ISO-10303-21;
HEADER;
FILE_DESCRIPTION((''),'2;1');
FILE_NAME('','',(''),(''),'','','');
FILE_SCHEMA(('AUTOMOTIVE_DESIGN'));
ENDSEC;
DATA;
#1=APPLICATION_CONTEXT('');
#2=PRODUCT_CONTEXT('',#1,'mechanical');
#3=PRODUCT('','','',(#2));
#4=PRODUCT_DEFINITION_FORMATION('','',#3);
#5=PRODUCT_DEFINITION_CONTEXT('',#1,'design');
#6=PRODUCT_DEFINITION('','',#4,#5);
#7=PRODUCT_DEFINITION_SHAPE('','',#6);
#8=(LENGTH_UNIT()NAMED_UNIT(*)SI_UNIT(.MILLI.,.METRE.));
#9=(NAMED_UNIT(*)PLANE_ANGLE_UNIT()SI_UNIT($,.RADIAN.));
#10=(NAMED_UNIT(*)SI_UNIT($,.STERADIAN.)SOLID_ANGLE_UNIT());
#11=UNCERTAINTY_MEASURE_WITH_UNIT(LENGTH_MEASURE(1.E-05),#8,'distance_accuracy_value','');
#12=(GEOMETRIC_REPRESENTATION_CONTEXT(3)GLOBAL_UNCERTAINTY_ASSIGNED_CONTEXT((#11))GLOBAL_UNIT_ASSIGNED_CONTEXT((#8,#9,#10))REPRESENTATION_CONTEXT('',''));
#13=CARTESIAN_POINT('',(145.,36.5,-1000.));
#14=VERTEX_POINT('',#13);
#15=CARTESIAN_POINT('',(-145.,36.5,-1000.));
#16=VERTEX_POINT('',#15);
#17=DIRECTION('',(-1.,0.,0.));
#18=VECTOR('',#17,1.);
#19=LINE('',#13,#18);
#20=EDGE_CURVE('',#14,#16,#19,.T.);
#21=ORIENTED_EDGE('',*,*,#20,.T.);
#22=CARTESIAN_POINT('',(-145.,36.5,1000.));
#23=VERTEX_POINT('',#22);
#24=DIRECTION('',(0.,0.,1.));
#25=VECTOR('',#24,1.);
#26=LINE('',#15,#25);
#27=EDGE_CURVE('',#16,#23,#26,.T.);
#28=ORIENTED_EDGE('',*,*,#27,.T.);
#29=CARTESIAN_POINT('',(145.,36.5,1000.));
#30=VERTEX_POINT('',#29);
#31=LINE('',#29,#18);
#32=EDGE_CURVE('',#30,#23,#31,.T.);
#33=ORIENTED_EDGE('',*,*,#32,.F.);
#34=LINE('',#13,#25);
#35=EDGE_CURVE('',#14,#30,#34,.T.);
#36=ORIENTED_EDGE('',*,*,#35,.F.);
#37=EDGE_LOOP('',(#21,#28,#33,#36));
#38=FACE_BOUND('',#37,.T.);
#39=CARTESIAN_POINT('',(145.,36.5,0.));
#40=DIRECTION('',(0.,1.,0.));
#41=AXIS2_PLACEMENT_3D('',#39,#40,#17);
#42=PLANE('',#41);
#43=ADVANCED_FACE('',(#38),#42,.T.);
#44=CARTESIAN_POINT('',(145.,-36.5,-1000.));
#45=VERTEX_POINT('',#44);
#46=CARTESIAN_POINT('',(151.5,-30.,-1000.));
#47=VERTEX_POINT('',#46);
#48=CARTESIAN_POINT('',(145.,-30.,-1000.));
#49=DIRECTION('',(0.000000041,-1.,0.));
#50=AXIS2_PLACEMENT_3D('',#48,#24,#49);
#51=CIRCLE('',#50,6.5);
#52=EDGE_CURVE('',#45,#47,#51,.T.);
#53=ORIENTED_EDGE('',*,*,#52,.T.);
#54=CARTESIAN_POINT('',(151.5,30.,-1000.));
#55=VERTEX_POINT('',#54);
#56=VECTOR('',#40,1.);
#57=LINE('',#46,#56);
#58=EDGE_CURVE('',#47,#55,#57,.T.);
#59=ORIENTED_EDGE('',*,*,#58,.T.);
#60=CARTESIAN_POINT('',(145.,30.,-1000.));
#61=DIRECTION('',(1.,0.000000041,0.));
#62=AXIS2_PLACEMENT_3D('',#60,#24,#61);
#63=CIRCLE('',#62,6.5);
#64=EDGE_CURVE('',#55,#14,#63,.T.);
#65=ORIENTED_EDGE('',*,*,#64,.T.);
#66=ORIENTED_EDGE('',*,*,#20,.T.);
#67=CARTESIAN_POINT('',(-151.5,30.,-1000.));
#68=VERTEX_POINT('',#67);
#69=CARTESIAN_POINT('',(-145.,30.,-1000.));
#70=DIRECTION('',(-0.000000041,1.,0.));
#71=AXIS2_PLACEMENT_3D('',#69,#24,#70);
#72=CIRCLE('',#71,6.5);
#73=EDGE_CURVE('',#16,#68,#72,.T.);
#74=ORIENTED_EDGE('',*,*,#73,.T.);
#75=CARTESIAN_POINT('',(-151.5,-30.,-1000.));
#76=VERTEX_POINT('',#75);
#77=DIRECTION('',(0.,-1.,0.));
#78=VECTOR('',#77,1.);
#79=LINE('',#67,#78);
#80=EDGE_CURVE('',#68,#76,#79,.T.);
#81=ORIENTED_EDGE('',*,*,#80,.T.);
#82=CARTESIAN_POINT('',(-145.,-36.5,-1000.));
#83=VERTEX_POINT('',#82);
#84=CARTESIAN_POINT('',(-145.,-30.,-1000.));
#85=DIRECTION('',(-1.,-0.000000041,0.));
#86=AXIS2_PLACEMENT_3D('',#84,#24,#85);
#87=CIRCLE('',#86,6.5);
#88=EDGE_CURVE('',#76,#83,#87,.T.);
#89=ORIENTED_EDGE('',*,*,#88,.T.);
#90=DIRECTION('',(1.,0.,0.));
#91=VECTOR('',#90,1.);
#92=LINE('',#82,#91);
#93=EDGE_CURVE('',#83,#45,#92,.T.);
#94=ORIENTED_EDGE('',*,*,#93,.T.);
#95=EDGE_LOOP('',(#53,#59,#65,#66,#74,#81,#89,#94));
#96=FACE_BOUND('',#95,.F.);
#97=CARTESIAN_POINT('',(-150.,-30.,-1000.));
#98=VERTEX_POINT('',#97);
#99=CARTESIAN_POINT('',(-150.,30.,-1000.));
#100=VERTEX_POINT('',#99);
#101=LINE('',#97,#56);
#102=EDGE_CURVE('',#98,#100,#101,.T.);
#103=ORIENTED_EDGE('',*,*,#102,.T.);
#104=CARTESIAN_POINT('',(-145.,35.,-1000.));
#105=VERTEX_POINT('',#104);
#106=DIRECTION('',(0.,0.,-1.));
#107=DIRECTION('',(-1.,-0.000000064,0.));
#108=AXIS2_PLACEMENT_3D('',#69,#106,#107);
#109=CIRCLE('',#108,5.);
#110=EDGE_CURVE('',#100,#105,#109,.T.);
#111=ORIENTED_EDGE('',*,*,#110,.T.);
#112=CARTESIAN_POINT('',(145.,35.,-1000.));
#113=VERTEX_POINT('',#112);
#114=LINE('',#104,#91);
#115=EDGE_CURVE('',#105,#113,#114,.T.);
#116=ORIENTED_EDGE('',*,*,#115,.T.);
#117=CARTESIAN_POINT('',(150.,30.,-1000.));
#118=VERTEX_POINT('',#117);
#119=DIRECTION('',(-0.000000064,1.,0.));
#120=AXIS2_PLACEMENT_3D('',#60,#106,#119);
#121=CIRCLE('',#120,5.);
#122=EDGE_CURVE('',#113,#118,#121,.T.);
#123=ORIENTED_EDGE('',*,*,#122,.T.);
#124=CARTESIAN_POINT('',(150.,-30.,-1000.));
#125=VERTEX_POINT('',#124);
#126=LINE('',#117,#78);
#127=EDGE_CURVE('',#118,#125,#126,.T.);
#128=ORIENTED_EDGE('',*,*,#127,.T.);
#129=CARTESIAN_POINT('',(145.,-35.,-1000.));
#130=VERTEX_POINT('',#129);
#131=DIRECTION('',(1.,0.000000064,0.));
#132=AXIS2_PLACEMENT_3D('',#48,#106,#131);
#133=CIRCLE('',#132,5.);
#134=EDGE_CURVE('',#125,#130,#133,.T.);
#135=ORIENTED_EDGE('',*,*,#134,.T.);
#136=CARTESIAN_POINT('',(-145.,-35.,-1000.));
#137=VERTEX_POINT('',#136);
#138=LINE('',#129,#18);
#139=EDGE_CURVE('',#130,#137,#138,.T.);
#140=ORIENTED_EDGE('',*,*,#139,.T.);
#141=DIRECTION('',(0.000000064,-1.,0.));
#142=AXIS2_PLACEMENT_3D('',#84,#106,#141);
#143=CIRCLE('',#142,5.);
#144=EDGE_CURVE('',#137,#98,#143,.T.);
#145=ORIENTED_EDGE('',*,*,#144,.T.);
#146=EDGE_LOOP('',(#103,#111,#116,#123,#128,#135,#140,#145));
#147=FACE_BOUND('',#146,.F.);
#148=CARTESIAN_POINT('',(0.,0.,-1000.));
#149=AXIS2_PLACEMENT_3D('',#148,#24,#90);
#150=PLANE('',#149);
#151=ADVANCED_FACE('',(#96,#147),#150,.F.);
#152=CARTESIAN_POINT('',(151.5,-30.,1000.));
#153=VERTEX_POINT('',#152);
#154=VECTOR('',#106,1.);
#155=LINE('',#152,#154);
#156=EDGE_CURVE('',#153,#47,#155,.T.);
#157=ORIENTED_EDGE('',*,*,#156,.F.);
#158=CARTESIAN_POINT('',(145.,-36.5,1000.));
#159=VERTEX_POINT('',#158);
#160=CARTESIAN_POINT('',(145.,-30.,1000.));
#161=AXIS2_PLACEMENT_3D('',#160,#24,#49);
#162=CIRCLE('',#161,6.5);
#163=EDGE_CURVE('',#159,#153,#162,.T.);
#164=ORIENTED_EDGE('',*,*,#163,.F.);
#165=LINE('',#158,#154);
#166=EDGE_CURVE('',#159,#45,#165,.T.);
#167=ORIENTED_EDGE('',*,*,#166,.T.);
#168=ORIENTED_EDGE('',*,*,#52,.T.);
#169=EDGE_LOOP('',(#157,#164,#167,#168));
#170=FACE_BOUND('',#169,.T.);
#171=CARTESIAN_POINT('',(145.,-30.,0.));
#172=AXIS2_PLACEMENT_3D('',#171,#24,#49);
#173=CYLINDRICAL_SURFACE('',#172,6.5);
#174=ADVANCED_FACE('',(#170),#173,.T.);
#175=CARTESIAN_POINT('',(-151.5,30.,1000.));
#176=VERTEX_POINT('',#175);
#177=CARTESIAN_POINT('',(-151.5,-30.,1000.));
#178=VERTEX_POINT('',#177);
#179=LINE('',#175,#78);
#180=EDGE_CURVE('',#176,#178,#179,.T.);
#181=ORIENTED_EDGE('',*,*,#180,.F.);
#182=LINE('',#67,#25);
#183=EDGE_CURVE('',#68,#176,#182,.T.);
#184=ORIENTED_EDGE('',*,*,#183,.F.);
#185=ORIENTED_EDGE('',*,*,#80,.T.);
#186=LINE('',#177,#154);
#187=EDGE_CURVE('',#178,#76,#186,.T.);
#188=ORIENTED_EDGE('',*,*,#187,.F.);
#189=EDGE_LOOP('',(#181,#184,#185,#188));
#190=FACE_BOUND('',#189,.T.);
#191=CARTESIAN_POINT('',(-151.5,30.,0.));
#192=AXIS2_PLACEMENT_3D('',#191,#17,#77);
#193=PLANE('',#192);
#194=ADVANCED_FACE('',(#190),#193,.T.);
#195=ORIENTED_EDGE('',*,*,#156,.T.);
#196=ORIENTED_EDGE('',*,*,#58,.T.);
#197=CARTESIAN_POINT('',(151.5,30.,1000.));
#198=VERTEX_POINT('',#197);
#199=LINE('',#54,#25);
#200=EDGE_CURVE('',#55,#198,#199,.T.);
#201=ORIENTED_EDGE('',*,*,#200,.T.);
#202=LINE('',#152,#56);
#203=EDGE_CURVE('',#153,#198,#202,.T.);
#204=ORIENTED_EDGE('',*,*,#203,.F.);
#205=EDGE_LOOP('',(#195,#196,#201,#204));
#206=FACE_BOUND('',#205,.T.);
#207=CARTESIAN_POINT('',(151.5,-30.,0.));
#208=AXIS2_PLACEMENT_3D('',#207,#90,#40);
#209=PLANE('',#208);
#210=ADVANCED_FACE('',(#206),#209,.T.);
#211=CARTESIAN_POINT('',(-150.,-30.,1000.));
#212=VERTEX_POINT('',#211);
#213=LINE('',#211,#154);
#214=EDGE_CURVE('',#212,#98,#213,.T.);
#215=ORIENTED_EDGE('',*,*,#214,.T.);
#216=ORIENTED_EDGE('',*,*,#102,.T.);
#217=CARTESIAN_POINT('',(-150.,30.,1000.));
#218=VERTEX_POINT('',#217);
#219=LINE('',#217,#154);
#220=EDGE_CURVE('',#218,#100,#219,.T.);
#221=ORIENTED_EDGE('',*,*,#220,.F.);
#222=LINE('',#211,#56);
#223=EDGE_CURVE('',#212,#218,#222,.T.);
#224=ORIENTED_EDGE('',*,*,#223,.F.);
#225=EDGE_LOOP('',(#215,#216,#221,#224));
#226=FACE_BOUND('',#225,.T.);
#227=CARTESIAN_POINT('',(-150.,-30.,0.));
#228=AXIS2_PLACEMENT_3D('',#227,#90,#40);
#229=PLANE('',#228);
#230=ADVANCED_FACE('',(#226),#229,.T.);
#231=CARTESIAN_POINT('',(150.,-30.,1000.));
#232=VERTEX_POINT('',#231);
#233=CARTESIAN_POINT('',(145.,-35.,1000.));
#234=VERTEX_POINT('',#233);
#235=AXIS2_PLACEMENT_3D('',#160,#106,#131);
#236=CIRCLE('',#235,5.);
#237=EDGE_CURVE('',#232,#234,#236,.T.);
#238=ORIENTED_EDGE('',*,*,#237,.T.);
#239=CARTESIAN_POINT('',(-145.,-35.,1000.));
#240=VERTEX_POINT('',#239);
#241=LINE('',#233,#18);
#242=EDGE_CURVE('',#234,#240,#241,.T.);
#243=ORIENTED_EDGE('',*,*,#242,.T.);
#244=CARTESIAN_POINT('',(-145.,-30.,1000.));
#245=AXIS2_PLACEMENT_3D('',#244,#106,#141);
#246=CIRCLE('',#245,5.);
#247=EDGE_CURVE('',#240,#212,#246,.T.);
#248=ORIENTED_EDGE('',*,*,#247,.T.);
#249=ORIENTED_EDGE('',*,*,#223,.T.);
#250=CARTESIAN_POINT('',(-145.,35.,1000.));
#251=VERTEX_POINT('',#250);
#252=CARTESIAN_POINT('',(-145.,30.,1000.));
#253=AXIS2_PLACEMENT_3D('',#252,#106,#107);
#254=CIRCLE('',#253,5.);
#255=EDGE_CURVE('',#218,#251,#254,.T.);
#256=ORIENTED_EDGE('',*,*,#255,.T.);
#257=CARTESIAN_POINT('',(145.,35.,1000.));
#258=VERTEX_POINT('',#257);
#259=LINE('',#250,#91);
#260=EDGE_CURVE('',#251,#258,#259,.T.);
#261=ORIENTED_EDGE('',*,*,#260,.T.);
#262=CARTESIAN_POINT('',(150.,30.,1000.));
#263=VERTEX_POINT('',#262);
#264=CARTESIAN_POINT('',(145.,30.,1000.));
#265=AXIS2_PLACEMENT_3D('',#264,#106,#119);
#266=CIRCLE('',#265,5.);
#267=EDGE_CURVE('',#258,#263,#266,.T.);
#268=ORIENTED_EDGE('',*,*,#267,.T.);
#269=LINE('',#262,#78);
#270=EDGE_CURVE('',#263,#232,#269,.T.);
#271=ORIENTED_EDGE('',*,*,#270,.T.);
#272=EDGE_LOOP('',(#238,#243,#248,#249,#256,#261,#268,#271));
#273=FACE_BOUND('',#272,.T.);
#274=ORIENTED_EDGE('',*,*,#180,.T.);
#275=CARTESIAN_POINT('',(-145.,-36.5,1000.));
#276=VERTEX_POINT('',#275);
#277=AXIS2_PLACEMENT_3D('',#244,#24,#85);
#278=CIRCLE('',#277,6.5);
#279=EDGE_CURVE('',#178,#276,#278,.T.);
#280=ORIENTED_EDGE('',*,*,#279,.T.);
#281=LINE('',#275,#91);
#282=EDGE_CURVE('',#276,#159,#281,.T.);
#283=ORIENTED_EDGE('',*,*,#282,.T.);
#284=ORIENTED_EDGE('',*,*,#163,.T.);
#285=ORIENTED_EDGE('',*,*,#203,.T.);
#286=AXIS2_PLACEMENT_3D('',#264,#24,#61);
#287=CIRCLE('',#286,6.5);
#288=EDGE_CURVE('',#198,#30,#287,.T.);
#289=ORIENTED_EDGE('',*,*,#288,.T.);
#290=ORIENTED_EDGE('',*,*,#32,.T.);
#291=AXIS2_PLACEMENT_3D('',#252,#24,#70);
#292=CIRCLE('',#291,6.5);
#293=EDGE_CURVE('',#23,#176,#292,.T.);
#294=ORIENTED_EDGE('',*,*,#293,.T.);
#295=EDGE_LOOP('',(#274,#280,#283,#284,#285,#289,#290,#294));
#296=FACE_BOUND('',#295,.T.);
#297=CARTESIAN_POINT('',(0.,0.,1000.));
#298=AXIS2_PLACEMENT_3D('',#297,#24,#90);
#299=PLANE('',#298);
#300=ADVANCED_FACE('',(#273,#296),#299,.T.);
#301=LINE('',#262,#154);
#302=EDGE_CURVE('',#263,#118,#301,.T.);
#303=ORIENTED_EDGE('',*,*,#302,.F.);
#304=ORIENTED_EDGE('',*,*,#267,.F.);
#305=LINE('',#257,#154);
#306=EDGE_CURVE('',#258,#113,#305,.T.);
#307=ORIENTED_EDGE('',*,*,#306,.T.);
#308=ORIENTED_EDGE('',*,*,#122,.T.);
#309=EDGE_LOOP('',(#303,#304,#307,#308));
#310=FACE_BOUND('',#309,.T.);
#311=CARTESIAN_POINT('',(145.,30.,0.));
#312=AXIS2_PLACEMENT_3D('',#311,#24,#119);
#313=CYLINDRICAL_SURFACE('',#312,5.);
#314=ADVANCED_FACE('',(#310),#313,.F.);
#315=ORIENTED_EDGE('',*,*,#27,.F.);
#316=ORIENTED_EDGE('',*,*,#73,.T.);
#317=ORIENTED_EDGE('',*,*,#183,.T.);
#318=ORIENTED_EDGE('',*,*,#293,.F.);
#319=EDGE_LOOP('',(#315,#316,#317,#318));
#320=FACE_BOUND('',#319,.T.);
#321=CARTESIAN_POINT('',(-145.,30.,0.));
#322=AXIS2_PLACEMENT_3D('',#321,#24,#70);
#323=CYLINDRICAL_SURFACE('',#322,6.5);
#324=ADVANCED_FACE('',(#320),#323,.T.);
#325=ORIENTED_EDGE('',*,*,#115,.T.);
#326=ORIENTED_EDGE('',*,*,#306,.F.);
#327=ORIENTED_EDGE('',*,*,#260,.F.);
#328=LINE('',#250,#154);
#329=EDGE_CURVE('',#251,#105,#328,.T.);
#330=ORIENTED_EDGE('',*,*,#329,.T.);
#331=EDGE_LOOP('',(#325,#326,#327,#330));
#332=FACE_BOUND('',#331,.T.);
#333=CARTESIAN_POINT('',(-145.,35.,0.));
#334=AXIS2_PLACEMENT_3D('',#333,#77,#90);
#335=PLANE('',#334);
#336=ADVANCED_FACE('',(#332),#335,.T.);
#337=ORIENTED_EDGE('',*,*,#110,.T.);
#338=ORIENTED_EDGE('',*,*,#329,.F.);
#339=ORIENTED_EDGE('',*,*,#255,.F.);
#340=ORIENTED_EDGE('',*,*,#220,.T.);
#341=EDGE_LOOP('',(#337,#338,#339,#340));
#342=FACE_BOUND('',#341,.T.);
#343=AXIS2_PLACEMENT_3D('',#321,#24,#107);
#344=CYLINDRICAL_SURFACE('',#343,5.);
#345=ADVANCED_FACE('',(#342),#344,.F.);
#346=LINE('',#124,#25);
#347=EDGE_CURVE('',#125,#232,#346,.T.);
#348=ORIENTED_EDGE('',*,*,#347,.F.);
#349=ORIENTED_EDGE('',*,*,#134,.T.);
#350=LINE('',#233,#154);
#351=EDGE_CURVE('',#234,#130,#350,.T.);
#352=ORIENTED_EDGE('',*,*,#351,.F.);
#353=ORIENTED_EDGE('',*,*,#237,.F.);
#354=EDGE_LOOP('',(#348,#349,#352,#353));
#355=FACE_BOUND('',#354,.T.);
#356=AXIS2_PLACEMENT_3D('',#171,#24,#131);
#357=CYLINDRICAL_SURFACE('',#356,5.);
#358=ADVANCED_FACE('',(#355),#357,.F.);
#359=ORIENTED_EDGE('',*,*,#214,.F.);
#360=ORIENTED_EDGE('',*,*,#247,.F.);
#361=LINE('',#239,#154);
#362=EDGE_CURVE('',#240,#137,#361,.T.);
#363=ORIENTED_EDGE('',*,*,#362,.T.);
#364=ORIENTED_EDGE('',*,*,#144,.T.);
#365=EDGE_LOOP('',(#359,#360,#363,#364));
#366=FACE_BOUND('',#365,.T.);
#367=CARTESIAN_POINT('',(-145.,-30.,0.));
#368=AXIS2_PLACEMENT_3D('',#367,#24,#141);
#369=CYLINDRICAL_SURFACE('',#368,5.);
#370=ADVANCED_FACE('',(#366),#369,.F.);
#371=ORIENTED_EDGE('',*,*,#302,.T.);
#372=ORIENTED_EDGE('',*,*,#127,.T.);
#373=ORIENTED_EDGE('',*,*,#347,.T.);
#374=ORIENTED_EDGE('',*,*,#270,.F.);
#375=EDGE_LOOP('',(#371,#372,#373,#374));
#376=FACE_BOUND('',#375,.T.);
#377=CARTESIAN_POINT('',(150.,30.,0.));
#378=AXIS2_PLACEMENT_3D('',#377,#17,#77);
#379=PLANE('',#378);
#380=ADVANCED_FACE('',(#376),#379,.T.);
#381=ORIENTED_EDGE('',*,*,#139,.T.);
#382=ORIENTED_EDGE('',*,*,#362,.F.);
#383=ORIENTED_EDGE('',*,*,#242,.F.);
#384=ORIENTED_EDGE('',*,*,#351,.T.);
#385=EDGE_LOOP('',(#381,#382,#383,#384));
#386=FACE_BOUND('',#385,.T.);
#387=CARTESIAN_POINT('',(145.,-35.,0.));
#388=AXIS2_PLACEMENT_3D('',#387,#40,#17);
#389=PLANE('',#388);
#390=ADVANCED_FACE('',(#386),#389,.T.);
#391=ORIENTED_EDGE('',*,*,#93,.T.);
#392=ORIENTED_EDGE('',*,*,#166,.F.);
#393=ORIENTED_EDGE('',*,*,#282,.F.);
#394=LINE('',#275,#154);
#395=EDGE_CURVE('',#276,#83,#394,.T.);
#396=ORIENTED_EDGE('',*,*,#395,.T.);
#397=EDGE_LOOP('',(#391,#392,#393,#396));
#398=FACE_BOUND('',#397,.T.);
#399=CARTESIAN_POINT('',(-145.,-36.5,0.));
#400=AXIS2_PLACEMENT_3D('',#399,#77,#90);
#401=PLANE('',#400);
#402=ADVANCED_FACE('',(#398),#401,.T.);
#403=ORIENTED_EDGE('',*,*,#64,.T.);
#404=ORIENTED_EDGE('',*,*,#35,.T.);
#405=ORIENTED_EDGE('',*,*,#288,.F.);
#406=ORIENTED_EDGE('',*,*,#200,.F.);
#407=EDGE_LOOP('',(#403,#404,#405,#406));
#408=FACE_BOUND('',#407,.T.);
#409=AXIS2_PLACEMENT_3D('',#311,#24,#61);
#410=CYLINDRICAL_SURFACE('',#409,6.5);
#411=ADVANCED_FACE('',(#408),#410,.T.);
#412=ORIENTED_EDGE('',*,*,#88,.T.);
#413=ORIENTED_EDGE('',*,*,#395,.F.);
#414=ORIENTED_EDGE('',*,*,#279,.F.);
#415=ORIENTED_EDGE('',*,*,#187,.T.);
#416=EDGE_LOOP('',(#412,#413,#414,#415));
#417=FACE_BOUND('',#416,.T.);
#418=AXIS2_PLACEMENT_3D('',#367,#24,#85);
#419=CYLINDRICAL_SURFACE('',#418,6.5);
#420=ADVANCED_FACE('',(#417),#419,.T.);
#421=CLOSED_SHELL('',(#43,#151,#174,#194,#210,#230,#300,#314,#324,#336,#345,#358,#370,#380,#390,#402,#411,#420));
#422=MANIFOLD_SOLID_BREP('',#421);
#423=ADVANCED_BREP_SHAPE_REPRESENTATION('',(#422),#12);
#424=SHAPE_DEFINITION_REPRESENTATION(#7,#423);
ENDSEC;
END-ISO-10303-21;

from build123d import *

# Parameters (mm, degrees)
F1_DEPTH      = 1000
F1_DEPTH_BACK = 1000


with BuildPart() as f1:
    # F0 (on Top) → F1 (new body, two sides)
    with BuildSketch(Plane.XY) as f1_sk:
        with BuildLine():
            Line((151.5, -30), (151.5, 30))
            ThreePointArc((151.5, 30), (149.596194, 34.596194), (145, 36.5))
            Line((145, 36.5), (-145, 36.5))
            ThreePointArc((-145, 36.5), (-149.596194, 34.596194), (-151.5, 30))
            Line((-151.5, 30), (-151.5, -30))
            ThreePointArc((-151.5, -30), (-149.596194, -34.596194), (-145, -36.5))
            Line((-145, -36.5), (145, -36.5))
            ThreePointArc((145, -36.5), (149.596194, -34.596194), (151.5, -30))
        make_face()
        with BuildLine():
            ThreePointArc((150, -30), (148.535534, -33.535534), (145, -35))
            Line((145, -35), (-145, -35))
            ThreePointArc((-145, -35), (-148.535534, -33.535534), (-150, -30))
            Line((-150, -30), (-150, 30))
            ThreePointArc((-150, 30), (-148.535534, 33.535534), (-145, 35))
            Line((-145, 35), (145, 35))
            ThreePointArc((145, 35), (148.535534, 33.535534), (150, 30))
            Line((150, 30), (150, -30))
        make_face(mode=Mode.SUBTRACT)
    extrude(amount=F1_DEPTH)
    extrude(f1_sk.sketch, amount=-F1_DEPTH_BACK)


solid = f1.part
